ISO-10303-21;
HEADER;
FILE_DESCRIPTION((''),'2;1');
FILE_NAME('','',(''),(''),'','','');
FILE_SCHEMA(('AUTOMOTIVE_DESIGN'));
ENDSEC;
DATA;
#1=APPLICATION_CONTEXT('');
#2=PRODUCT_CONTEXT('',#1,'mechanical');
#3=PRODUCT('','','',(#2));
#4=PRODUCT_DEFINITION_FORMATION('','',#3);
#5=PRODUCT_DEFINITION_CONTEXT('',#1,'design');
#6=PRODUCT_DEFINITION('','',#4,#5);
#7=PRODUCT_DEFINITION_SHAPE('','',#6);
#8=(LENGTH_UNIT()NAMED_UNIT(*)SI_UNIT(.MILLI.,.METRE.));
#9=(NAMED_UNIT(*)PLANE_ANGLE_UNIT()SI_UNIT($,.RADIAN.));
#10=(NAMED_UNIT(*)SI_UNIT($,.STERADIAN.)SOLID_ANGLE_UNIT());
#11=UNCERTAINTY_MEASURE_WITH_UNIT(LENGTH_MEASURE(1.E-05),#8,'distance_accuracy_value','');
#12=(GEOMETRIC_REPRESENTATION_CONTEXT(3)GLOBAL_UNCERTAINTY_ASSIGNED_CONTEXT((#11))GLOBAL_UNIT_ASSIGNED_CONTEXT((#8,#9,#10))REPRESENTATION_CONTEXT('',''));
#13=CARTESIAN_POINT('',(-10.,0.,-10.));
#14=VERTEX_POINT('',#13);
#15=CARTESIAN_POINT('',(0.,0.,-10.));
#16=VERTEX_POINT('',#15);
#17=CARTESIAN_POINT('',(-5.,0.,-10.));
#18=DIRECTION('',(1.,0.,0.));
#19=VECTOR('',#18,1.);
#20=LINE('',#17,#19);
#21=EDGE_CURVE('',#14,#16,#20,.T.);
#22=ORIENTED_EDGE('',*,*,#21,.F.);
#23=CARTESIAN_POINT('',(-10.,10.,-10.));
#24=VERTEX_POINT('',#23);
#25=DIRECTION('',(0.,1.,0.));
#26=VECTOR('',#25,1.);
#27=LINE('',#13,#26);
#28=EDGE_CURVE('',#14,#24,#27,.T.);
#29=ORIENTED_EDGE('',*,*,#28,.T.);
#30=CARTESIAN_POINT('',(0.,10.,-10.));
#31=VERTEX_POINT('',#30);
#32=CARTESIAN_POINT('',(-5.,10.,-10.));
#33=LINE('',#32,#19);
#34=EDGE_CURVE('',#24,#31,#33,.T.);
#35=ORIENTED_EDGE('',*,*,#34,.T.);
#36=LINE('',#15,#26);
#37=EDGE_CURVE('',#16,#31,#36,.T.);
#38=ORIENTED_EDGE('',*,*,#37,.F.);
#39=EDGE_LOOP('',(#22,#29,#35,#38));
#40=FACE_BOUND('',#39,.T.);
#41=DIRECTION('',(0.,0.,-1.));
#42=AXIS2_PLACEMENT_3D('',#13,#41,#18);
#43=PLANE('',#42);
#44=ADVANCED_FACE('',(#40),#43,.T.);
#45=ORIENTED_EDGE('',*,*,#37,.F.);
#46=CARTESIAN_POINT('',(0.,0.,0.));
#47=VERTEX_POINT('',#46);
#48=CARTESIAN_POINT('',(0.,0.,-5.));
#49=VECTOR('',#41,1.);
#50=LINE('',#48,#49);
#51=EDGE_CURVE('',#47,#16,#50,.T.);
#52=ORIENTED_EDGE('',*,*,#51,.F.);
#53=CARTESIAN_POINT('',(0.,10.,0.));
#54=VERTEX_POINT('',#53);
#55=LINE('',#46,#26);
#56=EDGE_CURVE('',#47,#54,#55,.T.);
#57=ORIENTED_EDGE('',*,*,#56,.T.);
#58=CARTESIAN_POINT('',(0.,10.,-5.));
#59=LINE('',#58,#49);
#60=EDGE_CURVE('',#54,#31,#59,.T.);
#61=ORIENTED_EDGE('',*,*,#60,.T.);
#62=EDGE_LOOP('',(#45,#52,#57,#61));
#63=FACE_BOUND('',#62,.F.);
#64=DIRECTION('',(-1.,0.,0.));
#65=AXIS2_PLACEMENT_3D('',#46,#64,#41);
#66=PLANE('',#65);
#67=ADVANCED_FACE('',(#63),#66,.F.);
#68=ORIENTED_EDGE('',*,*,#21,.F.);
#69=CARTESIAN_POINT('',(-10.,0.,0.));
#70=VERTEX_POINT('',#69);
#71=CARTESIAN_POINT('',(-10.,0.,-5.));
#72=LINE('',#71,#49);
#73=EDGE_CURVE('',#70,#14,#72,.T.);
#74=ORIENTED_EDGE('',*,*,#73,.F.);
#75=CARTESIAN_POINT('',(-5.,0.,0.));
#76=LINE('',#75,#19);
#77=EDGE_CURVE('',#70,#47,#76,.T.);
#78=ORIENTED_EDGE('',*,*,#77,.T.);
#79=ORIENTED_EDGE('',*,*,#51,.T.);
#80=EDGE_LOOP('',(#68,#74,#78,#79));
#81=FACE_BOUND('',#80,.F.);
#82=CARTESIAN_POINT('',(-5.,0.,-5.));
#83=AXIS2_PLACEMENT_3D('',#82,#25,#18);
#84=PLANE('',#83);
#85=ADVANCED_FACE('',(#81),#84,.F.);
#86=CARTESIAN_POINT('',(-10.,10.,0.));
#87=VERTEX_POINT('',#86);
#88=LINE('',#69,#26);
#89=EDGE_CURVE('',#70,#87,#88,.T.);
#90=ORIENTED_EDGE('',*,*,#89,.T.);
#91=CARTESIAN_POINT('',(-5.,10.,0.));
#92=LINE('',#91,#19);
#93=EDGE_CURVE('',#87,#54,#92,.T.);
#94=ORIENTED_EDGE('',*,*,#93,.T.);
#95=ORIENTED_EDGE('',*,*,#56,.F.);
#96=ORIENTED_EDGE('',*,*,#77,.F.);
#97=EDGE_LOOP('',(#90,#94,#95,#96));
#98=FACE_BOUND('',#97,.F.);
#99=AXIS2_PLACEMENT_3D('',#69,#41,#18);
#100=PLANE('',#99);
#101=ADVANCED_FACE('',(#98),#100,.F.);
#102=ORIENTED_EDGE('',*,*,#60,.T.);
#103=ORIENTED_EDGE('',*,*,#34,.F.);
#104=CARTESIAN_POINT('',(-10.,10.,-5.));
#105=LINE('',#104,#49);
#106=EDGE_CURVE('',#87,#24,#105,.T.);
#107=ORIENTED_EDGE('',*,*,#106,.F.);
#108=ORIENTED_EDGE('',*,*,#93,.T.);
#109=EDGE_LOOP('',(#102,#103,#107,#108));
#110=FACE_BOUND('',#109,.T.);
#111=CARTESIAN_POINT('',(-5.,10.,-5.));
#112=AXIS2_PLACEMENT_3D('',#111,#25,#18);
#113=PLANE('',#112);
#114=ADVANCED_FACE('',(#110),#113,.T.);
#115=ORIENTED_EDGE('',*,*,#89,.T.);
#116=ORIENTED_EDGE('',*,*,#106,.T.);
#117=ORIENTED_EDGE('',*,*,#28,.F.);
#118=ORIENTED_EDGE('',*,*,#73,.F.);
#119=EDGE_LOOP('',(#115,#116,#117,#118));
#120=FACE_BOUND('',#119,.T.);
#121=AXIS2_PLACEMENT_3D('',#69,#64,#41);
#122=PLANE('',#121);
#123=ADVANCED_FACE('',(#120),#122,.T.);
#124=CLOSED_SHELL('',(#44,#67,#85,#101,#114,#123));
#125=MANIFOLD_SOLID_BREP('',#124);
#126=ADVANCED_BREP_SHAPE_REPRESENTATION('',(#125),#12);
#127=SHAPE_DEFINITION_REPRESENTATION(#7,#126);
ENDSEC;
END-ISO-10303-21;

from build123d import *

# Parameters (mm, degrees)
SKETCH1_W           = 10
SKETCH1_H           = 10
BOSS_EXTRUDE2_DEPTH = 10


with BuildPart() as part:
    # Sketch1 → Boss-Extrude2 (new body)
    with BuildSketch(Plane(origin=(0, 0, 0), x_dir=(1, 0, 0), z_dir=(0, 1, 0))):
        with Locations((-5, 5)):
            Rectangle(SKETCH1_W, SKETCH1_H)
    extrude(amount=BOSS_EXTRUDE2_DEPTH)


solid = part.part
